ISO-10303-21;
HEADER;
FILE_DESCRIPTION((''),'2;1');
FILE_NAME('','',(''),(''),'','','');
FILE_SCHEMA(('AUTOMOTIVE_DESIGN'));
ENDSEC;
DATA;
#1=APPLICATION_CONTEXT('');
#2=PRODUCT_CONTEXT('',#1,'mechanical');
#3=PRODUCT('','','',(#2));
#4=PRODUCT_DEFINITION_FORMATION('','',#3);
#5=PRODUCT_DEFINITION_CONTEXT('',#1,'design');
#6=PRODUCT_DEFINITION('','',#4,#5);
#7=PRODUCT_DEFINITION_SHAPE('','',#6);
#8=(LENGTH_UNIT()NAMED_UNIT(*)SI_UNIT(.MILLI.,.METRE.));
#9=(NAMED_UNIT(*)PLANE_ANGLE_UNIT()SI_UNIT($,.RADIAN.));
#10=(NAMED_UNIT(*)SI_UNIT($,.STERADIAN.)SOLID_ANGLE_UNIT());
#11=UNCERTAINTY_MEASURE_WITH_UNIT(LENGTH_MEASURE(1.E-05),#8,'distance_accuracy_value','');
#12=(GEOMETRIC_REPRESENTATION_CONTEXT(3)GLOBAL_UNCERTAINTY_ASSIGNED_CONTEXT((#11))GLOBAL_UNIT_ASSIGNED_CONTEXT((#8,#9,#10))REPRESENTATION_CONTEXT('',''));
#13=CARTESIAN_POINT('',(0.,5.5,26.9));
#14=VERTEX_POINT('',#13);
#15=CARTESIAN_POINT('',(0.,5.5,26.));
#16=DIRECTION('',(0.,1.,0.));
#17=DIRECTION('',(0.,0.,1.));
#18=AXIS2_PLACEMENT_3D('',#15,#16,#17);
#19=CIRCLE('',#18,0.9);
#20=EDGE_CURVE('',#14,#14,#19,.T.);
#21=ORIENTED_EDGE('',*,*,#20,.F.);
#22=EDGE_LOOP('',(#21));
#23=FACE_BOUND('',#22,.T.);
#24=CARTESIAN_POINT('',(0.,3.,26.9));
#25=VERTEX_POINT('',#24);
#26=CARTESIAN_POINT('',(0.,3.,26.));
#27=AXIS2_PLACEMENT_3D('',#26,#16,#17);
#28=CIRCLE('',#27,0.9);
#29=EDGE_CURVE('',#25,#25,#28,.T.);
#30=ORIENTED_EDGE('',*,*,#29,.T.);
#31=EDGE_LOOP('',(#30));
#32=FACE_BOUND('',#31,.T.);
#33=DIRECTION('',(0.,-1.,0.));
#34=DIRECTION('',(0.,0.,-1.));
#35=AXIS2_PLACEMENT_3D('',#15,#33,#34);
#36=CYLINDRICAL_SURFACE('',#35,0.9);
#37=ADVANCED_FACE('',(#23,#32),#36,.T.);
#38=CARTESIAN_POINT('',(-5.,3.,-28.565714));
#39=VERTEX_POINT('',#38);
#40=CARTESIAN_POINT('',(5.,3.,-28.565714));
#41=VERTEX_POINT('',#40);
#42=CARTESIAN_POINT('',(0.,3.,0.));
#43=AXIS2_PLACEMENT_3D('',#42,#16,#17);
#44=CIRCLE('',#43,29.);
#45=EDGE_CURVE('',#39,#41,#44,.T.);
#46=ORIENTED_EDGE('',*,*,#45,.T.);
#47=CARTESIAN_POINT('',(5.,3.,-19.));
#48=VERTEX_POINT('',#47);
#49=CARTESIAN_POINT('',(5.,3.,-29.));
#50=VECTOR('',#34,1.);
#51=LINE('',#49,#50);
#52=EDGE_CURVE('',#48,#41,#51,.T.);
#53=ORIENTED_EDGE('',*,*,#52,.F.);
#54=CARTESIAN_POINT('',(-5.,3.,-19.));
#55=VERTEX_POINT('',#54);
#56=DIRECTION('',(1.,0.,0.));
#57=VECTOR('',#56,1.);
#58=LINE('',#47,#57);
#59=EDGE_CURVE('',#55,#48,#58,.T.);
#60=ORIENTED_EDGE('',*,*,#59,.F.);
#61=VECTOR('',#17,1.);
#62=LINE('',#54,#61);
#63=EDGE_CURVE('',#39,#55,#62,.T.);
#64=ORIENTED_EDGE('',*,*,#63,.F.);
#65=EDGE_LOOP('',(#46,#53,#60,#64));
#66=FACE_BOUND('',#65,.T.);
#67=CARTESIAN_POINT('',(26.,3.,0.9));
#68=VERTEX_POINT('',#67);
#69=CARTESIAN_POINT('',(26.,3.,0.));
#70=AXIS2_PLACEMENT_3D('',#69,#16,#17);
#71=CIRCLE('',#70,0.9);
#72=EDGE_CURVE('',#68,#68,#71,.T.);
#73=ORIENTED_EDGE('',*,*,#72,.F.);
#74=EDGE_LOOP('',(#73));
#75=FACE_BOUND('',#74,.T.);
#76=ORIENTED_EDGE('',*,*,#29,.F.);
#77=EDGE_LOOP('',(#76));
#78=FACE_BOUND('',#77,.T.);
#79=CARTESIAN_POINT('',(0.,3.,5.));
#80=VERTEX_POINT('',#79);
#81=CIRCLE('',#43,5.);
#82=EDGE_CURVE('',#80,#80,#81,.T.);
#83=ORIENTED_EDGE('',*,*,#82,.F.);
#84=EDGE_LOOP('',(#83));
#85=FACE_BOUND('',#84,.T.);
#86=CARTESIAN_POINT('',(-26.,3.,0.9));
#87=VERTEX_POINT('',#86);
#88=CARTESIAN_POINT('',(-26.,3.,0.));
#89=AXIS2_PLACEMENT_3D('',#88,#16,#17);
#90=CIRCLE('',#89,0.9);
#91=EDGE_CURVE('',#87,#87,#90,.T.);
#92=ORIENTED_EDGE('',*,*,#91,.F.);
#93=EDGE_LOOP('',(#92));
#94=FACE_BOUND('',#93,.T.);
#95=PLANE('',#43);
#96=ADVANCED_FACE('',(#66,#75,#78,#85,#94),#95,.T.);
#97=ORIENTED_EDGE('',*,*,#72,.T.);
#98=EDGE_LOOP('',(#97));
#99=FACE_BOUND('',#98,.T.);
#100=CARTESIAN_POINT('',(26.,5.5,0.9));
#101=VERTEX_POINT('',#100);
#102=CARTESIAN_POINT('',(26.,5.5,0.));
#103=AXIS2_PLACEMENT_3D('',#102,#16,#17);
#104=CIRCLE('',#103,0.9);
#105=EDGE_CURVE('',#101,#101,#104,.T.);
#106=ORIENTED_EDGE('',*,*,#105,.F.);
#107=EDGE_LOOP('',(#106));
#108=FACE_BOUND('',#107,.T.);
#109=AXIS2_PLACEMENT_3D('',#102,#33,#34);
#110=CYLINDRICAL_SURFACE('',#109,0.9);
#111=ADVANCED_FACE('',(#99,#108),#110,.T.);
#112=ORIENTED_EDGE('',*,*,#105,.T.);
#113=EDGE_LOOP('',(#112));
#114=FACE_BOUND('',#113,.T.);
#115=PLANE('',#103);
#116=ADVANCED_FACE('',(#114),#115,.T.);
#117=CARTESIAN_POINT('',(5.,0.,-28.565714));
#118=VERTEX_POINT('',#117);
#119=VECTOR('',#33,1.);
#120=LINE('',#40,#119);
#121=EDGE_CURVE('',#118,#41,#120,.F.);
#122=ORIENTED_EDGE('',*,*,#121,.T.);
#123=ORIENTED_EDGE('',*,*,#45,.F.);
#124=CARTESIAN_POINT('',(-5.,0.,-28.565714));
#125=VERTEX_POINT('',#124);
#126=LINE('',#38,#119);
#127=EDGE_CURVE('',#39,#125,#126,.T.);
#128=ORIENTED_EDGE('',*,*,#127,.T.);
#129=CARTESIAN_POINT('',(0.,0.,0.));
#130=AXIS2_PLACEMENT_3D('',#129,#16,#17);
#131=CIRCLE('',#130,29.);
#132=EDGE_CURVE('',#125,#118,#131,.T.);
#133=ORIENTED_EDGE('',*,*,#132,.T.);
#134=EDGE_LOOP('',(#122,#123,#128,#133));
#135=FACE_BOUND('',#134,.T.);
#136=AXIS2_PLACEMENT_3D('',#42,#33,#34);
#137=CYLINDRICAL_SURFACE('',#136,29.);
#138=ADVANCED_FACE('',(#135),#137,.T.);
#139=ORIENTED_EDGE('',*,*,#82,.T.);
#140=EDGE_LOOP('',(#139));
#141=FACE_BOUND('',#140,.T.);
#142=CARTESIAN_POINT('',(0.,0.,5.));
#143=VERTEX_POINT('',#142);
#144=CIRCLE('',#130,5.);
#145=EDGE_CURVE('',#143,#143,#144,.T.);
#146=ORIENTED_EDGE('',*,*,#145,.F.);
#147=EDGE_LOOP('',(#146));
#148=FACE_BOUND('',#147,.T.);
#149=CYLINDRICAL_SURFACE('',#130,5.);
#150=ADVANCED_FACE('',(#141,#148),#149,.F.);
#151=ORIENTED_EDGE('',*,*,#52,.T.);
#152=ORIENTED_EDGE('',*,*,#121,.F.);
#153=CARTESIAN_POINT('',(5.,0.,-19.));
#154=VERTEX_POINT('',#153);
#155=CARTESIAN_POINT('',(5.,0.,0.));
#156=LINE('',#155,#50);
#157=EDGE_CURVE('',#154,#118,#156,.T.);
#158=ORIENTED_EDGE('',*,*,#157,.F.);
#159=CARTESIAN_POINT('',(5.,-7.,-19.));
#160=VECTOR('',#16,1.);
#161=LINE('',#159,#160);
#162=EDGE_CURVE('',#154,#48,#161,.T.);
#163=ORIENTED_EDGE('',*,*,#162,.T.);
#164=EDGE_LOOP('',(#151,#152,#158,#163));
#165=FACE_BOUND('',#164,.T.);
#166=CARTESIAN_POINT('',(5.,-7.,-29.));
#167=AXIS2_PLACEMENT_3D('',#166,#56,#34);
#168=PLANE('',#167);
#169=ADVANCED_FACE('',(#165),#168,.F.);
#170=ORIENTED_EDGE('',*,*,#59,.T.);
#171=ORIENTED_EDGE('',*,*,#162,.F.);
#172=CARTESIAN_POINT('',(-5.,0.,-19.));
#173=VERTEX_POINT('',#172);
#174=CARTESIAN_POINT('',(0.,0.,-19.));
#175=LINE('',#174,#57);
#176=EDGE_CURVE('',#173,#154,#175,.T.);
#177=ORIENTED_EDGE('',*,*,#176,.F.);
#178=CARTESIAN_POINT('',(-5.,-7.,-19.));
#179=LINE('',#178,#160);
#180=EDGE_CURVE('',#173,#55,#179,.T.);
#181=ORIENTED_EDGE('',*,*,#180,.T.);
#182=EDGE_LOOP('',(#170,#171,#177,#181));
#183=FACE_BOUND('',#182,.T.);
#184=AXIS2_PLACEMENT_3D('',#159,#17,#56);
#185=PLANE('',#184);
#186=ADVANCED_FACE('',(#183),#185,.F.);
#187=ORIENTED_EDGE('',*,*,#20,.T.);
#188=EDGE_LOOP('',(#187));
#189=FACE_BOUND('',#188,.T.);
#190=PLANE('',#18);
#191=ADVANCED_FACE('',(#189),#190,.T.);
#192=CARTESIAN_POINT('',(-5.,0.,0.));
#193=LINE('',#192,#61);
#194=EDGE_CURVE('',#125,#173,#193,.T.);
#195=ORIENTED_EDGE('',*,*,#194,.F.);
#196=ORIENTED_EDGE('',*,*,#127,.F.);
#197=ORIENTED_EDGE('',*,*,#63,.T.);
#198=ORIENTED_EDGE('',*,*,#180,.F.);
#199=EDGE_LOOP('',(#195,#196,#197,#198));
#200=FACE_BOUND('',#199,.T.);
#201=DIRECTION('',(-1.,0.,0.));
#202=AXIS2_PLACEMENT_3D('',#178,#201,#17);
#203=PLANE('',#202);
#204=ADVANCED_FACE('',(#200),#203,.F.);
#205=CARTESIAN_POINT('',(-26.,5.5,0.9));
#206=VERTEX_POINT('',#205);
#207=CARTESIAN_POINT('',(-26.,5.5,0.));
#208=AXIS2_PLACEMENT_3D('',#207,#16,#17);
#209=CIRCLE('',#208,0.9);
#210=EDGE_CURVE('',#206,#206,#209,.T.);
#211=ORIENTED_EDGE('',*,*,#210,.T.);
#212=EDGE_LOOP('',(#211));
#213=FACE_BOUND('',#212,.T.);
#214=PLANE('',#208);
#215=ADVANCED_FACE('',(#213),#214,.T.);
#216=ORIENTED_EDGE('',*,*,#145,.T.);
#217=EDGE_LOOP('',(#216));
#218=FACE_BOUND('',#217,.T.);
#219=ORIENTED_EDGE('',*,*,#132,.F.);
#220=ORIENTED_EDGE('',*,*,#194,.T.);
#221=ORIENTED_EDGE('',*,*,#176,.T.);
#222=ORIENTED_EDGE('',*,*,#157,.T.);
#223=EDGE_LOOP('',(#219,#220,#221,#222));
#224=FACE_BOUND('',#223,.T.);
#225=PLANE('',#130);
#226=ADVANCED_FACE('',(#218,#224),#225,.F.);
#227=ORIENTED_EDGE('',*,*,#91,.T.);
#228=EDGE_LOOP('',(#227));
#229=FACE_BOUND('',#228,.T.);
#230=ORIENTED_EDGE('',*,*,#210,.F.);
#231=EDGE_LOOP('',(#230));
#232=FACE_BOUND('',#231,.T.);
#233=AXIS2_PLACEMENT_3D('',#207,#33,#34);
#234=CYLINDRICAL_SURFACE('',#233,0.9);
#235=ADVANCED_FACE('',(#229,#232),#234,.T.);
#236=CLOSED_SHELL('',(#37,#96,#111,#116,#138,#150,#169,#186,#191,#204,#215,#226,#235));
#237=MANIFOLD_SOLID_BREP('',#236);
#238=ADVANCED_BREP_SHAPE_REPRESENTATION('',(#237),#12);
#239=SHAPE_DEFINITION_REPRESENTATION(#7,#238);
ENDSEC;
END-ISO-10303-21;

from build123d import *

# Parameters (mm, degrees)
SKETCH1_R           = 29
BOSS_EXTRUDE1_DEPTH = 3
SKETCH6_R           = 0.9
BOSS_EXTRUDE3_DEPTH = 2.5
SKETCH7_R           = 0.9
BOSS_EXTRUDE4_DEPTH = 2.5
SKETCH8_R           = 5
CUT_EXTRUDE2_DEPTH  = 3
CUT_EXTRUDE3_DEPTH  = 10


with BuildPart() as part:
    # Sketch1 → Boss-Extrude1 (new body)
    with BuildSketch(Plane(origin=(0, 0, 0), x_dir=(1, 0, 0), z_dir=(0, 1, 0))):
        with Locations(Location((0, 0, 0), (0, 0, 270))):
            Circle(SKETCH1_R)
    extrude(amount=BOSS_EXTRUDE1_DEPTH)

    # Sketch6 → Boss-Extrude3 (add)
    with BuildSketch(Plane(origin=(0, 3, 0), x_dir=(1, 0, 0), z_dir=(0, 1, 0))):
        with Locations(Location((-26, 0, 0), (0, 0, 270))):
            Circle(SKETCH6_R)
        with Locations(Location((26, 0, 0), (0, 0, 270))):
            Circle(SKETCH6_R)
    extrude(amount=BOSS_EXTRUDE3_DEPTH)

    # Sketch7 → Boss-Extrude4 (add)
    with BuildSketch(Plane(origin=(0, 3, 0), x_dir=(1, 0, 0), z_dir=(0, 1, 0))):
        with Locations(Location((0, -26, 0), (0, 0, 270))):
            Circle(SKETCH7_R)
    extrude(amount=BOSS_EXTRUDE4_DEPTH)

    # Sketch8 → Cut-Extrude2 (cut)
    with BuildSketch(Plane(origin=(0, 3, 0), x_dir=(1, 0, 0), z_dir=(0, 1, 0))):
        with Locations(Location((0, 0, 0), (0, 0, 270))):
            Circle(SKETCH8_R)
    extrude(amount=-CUT_EXTRUDE2_DEPTH, mode=Mode.SUBTRACT)

    # Sketch9 → Cut-Extrude3 (cut)
    with BuildSketch(Plane(origin=(0, 3, 0), x_dir=(1, 0, 0), z_dir=(0, 1, 0))):
        Polygon((0, 29), (5, 29), (5, 19), (-5, 19), (-5, 29), align=None)
    extrude(amount=-CUT_EXTRUDE3_DEPTH, mode=Mode.SUBTRACT)


solid = part.part
